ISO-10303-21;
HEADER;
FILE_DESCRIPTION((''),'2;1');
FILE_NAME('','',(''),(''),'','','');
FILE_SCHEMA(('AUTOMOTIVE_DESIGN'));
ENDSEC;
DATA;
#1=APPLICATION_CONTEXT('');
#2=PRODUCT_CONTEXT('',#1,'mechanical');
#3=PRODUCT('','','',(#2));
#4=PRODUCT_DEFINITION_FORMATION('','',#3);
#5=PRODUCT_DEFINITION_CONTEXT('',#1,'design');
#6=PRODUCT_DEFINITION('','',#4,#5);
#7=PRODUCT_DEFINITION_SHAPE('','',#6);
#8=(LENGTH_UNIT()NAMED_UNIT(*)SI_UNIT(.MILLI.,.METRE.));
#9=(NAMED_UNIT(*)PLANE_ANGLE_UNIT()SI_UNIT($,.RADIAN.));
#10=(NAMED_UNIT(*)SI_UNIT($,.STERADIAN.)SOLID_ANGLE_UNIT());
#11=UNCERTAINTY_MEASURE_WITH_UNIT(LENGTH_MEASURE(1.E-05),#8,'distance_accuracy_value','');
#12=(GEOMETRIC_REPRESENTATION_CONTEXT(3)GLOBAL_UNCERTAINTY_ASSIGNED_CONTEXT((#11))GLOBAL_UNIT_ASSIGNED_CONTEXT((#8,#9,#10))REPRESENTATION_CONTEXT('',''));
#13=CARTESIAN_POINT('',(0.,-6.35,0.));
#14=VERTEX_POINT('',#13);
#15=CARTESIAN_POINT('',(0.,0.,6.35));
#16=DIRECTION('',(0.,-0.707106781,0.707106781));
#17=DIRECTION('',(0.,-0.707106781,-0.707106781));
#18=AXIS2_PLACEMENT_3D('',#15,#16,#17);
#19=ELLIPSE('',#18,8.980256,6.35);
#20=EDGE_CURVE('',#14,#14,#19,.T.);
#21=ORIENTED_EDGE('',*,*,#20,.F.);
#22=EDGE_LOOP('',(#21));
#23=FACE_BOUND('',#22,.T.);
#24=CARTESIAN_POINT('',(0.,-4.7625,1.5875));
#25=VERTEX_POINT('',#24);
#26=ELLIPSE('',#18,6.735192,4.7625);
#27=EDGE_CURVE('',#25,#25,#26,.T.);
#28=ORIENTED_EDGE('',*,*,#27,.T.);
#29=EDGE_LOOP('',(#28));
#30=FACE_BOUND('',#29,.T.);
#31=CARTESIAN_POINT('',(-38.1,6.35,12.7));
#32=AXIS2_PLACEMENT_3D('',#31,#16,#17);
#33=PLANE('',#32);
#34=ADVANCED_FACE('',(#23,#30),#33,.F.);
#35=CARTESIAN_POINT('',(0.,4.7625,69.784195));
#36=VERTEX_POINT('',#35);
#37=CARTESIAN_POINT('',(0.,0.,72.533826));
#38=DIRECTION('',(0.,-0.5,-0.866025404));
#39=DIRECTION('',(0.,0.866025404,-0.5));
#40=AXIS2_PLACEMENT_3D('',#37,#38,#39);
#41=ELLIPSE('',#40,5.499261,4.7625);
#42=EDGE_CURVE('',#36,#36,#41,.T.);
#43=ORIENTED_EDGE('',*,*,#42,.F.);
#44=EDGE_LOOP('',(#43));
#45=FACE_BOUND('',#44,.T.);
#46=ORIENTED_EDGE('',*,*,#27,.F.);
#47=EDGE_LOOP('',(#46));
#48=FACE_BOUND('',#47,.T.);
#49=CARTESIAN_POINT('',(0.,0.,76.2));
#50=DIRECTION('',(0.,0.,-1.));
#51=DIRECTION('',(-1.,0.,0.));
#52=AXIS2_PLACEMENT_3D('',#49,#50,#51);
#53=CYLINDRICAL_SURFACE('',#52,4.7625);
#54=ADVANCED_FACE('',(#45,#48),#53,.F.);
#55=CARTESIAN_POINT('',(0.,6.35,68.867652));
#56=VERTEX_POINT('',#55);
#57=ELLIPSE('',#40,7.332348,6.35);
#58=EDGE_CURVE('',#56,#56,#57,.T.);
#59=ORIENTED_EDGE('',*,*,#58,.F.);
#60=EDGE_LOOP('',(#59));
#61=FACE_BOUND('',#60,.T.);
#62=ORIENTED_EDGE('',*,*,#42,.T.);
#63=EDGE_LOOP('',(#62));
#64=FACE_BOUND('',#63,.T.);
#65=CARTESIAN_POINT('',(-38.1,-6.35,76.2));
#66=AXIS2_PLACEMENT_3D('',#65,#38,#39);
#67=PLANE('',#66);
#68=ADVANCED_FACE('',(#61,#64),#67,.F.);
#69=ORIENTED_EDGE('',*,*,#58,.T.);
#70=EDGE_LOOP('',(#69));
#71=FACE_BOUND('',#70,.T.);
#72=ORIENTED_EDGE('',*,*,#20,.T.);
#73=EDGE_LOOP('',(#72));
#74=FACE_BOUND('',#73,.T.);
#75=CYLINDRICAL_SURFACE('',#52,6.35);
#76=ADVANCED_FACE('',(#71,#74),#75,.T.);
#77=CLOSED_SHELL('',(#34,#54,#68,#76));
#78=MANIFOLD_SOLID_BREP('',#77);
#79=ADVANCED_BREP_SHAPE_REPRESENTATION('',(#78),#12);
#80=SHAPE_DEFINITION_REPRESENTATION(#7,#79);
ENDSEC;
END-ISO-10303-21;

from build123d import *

# Parameters (mm, degrees)
SKETCH1_R           = 6.35
SKETCH1_R_2         = 4.7625
BOSS_EXTRUDE1_DEPTH = 76.2
CUT_EXTRUDE1_DEPTH  = 38.1
CUT_EXTRUDE3_DEPTH  = 38.1


with BuildPart() as part:
    # Sketch1 → Boss-Extrude1 (new body)
    with BuildSketch(Plane.XY):
        with Locations(Location((0, 0, 0), (0, 0, 180))):
            Circle(SKETCH1_R)
        with Locations(Location((0, 0, 0), (0, 0, 180))):
            Circle(SKETCH1_R_2, mode=Mode.SUBTRACT)
    extrude(amount=BOSS_EXTRUDE1_DEPTH)

    # Sketch2 → Cut-Extrude1 (cut, symmetric)
    with BuildSketch(Plane(origin=(0, 0, 0), x_dir=(0, 0, -1), z_dir=(1, 0, 0))):
        Polygon((-76.2, -6.35), (-68.867651581, 6.35), (-76.2, 6.35), align=None)
    extrude(amount=CUT_EXTRUDE1_DEPTH, both=True, mode=Mode.SUBTRACT)

    # Sketch3 → Cut-Extrude3 (cut, symmetric)
    with BuildSketch(Plane(origin=(0, 0, 0), x_dir=(0, 0, -1), z_dir=(1, 0, 0))):
        Polygon((-12.7, 6.35), (0, -6.35), (0, 6.35), align=None)
    extrude(amount=CUT_EXTRUDE3_DEPTH, both=True, mode=Mode.SUBTRACT)


solid = part.part
